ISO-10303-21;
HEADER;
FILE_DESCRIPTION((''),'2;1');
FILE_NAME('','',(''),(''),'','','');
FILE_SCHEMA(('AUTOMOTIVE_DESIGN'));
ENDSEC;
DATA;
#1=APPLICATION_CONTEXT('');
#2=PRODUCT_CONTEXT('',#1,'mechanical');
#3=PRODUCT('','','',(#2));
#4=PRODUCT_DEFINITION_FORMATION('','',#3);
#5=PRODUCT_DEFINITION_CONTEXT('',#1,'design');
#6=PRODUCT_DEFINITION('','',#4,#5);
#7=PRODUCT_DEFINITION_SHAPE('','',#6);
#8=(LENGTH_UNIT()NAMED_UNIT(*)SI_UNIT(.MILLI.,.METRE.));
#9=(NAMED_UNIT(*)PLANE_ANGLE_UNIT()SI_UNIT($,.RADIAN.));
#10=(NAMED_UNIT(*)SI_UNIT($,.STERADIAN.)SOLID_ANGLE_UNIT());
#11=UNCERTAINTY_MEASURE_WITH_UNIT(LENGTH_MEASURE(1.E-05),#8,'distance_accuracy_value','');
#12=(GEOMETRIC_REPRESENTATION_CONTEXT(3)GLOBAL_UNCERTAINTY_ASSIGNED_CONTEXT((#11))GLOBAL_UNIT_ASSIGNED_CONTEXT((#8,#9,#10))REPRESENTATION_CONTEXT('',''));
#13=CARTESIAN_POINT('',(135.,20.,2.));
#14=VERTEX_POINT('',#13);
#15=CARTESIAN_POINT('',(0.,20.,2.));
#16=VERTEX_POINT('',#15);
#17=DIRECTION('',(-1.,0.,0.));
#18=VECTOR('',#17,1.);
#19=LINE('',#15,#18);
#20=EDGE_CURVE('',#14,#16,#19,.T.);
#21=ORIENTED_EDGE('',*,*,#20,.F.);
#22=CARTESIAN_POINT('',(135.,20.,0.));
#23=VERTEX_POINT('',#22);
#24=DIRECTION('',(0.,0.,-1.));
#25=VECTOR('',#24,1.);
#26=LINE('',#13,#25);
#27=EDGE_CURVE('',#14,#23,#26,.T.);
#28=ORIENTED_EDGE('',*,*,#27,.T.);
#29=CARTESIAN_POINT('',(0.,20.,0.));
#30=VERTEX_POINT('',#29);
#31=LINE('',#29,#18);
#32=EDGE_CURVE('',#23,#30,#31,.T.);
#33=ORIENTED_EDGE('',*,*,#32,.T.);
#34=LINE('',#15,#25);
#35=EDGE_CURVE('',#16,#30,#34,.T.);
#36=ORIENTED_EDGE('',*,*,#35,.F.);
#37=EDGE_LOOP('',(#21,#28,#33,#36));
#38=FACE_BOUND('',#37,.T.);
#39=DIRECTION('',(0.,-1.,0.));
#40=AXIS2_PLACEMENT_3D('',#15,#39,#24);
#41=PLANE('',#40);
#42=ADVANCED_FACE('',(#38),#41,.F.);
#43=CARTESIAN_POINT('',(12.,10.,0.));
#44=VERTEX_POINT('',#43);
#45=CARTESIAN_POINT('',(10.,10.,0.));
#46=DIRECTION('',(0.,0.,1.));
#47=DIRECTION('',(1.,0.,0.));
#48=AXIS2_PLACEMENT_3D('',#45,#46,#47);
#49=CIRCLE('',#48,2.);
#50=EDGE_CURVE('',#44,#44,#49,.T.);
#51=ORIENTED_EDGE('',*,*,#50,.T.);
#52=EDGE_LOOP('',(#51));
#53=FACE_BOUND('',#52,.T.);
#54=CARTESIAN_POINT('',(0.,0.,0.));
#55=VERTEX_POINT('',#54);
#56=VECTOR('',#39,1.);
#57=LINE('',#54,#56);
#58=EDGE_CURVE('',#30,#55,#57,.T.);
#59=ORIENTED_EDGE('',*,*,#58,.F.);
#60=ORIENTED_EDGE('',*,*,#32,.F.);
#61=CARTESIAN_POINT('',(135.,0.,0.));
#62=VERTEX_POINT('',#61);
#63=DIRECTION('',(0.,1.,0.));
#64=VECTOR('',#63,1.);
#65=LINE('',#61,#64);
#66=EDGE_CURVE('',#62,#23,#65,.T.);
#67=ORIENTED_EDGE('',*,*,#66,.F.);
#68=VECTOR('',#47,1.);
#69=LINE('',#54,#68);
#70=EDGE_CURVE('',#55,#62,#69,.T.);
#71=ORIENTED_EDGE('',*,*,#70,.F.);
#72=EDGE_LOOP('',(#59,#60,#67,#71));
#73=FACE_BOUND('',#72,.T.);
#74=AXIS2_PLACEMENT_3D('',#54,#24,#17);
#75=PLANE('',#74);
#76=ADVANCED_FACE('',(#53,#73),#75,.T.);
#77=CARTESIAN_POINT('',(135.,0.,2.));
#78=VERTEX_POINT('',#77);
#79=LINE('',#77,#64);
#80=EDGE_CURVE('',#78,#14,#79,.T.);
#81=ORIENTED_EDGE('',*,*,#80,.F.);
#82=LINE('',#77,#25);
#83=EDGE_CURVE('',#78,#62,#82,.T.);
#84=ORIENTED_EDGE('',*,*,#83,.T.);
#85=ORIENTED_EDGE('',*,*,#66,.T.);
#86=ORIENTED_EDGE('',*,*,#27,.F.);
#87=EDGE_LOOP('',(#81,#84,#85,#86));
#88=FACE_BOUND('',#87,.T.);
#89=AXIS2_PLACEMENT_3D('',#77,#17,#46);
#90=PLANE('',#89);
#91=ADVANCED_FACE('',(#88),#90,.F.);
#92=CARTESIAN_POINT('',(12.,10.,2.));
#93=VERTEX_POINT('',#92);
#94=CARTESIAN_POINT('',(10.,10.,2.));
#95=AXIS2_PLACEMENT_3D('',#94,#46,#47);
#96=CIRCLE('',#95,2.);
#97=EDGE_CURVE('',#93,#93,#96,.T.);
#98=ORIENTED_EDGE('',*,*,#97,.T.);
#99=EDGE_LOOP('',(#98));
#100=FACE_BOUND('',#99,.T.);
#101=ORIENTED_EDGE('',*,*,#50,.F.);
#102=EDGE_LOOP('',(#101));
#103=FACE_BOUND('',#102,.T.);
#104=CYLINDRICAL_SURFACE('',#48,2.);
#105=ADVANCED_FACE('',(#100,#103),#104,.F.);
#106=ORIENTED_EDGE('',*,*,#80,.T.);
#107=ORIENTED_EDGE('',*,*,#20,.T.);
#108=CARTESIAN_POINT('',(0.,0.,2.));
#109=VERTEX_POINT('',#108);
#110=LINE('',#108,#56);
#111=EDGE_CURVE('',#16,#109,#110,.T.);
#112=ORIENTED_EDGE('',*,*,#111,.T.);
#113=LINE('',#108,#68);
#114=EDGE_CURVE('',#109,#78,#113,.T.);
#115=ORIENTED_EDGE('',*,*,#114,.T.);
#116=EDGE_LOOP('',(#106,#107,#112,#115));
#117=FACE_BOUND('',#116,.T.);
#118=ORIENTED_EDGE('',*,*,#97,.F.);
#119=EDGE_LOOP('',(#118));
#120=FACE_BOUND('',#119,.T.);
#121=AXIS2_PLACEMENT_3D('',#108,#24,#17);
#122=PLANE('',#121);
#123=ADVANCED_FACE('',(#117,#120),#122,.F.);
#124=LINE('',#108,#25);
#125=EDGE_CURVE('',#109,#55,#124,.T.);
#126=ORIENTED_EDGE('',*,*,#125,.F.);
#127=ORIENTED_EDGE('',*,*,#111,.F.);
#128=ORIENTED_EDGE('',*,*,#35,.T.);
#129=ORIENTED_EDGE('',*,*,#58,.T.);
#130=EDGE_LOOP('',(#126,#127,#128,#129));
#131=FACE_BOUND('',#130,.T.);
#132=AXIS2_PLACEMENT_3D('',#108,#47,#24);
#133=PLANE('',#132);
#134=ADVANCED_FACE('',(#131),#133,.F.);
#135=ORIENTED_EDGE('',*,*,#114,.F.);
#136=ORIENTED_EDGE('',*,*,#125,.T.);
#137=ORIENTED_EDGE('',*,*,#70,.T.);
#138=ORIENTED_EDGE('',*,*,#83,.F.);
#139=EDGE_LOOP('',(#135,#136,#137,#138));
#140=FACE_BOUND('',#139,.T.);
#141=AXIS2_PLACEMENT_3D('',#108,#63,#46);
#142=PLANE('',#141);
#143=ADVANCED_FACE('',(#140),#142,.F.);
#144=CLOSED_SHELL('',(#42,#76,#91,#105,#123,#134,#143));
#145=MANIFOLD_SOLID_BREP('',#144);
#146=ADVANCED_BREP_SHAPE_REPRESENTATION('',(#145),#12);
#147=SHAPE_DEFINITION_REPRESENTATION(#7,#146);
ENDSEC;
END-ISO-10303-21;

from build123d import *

# Parameters (mm, degrees)
ESQUISSE1_W             = 135
ESQUISSE1_H             = 20
BOSS_EXTRU_1_DEPTH      = 2
ESQUISSE2_R             = 2
ENL_V_MAT_EXTRU_1_DEPTH = 137.488094719


with BuildPart() as part:
    # Esquisse1 → Boss.-Extru.1 (new body)
    with BuildSketch(Plane.XY):
        with Locations((67.5, 10)):
            Rectangle(ESQUISSE1_W, ESQUISSE1_H)
    extrude(amount=BOSS_EXTRU_1_DEPTH)

    # Esquisse2 → Enlèv. mat.-Extru.1 (cut, through all)
    with BuildSketch(Plane.XY.offset(2)):
        with Locations((10, 10)):
            Circle(ESQUISSE2_R)
    extrude(amount=-ENL_V_MAT_EXTRU_1_DEPTH, mode=Mode.SUBTRACT)


solid = part.part
